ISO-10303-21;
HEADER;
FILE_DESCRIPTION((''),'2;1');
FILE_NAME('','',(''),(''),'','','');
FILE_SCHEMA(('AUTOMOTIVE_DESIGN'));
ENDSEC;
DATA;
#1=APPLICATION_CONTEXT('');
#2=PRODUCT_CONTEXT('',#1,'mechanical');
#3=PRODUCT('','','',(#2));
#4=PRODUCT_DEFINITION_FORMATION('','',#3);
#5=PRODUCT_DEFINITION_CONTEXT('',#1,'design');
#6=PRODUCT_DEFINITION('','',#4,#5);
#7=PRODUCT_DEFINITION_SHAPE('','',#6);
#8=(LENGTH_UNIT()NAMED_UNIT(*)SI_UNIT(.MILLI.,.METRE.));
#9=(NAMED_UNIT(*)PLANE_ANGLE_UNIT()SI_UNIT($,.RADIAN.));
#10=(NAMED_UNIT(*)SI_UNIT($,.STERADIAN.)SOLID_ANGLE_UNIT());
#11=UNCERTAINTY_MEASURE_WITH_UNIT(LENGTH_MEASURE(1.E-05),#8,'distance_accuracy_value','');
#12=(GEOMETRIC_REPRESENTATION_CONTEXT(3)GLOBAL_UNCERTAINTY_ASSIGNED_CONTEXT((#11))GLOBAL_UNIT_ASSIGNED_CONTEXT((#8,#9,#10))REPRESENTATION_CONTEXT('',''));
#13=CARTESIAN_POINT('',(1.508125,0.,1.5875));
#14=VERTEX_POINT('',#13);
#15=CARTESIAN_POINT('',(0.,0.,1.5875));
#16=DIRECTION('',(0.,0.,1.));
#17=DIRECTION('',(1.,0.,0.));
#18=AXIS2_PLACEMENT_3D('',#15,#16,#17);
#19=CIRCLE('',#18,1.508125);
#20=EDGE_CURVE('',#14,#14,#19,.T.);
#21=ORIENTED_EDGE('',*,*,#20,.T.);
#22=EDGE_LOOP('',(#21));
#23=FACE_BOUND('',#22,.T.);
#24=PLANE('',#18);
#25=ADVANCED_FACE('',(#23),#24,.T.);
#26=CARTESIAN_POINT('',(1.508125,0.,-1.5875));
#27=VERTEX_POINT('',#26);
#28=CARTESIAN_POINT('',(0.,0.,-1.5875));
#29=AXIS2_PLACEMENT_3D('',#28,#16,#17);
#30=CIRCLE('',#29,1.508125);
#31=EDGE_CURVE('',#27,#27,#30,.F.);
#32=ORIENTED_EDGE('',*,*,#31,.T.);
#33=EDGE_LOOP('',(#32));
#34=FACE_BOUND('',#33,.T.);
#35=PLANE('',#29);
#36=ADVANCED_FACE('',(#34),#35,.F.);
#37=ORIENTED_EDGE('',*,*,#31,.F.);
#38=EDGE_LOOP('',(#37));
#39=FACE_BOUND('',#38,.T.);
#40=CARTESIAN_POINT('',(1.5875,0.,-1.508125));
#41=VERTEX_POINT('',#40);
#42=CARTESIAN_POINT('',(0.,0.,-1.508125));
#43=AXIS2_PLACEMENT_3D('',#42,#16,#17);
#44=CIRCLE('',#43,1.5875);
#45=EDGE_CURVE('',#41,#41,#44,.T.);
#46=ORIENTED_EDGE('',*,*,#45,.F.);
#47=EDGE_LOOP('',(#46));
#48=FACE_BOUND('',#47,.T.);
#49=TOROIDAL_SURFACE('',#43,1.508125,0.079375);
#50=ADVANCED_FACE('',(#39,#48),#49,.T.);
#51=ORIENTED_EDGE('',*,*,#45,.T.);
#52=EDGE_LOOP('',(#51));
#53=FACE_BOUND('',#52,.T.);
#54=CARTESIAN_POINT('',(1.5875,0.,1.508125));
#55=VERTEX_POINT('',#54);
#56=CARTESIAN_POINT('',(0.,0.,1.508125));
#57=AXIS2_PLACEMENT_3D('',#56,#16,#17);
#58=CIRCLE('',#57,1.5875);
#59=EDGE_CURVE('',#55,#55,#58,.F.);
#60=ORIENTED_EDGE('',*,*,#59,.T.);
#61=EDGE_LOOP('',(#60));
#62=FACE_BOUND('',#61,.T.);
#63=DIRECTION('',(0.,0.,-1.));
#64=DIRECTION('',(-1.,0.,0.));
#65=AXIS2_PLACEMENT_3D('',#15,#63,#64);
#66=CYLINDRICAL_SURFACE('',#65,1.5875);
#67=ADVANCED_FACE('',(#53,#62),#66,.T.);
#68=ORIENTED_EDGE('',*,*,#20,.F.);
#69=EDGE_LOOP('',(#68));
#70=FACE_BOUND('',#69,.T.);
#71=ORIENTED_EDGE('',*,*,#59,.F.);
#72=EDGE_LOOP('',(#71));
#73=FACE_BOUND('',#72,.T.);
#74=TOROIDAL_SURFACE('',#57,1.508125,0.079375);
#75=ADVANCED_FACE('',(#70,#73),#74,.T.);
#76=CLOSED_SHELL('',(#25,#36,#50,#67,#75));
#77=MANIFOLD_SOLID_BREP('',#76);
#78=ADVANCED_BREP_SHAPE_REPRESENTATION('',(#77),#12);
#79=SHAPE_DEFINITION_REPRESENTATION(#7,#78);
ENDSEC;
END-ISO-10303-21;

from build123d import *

# Parameters (mm, degrees)
SKETCH3_R                = 1.5875
BOSS_EXTRUDE1_DEPTH      = 1.5875
BOSS_EXTRUDE1_DEPTH_BACK = 1.5875
FILLET1_R                = 0.079375


with BuildPart() as part:
    # Sketch3 → Boss-Extrude1 (new body, two sides)
    with BuildSketch(Plane.XY) as boss_extrude1_sk:
        Circle(SKETCH3_R)
    extrude(amount=BOSS_EXTRUDE1_DEPTH)
    extrude(boss_extrude1_sk.sketch, amount=-BOSS_EXTRUDE1_DEPTH_BACK)

    # Fillet1
    fillet1_edges = [part.edges().sort_by_distance(p)[0] for p in [
        (-1.5875, 0, -1.5875),
        (-1.5875, 0, 1.5875),
    ]]
    fillet(fillet1_edges, radius=FILLET1_R)


solid = part.part
